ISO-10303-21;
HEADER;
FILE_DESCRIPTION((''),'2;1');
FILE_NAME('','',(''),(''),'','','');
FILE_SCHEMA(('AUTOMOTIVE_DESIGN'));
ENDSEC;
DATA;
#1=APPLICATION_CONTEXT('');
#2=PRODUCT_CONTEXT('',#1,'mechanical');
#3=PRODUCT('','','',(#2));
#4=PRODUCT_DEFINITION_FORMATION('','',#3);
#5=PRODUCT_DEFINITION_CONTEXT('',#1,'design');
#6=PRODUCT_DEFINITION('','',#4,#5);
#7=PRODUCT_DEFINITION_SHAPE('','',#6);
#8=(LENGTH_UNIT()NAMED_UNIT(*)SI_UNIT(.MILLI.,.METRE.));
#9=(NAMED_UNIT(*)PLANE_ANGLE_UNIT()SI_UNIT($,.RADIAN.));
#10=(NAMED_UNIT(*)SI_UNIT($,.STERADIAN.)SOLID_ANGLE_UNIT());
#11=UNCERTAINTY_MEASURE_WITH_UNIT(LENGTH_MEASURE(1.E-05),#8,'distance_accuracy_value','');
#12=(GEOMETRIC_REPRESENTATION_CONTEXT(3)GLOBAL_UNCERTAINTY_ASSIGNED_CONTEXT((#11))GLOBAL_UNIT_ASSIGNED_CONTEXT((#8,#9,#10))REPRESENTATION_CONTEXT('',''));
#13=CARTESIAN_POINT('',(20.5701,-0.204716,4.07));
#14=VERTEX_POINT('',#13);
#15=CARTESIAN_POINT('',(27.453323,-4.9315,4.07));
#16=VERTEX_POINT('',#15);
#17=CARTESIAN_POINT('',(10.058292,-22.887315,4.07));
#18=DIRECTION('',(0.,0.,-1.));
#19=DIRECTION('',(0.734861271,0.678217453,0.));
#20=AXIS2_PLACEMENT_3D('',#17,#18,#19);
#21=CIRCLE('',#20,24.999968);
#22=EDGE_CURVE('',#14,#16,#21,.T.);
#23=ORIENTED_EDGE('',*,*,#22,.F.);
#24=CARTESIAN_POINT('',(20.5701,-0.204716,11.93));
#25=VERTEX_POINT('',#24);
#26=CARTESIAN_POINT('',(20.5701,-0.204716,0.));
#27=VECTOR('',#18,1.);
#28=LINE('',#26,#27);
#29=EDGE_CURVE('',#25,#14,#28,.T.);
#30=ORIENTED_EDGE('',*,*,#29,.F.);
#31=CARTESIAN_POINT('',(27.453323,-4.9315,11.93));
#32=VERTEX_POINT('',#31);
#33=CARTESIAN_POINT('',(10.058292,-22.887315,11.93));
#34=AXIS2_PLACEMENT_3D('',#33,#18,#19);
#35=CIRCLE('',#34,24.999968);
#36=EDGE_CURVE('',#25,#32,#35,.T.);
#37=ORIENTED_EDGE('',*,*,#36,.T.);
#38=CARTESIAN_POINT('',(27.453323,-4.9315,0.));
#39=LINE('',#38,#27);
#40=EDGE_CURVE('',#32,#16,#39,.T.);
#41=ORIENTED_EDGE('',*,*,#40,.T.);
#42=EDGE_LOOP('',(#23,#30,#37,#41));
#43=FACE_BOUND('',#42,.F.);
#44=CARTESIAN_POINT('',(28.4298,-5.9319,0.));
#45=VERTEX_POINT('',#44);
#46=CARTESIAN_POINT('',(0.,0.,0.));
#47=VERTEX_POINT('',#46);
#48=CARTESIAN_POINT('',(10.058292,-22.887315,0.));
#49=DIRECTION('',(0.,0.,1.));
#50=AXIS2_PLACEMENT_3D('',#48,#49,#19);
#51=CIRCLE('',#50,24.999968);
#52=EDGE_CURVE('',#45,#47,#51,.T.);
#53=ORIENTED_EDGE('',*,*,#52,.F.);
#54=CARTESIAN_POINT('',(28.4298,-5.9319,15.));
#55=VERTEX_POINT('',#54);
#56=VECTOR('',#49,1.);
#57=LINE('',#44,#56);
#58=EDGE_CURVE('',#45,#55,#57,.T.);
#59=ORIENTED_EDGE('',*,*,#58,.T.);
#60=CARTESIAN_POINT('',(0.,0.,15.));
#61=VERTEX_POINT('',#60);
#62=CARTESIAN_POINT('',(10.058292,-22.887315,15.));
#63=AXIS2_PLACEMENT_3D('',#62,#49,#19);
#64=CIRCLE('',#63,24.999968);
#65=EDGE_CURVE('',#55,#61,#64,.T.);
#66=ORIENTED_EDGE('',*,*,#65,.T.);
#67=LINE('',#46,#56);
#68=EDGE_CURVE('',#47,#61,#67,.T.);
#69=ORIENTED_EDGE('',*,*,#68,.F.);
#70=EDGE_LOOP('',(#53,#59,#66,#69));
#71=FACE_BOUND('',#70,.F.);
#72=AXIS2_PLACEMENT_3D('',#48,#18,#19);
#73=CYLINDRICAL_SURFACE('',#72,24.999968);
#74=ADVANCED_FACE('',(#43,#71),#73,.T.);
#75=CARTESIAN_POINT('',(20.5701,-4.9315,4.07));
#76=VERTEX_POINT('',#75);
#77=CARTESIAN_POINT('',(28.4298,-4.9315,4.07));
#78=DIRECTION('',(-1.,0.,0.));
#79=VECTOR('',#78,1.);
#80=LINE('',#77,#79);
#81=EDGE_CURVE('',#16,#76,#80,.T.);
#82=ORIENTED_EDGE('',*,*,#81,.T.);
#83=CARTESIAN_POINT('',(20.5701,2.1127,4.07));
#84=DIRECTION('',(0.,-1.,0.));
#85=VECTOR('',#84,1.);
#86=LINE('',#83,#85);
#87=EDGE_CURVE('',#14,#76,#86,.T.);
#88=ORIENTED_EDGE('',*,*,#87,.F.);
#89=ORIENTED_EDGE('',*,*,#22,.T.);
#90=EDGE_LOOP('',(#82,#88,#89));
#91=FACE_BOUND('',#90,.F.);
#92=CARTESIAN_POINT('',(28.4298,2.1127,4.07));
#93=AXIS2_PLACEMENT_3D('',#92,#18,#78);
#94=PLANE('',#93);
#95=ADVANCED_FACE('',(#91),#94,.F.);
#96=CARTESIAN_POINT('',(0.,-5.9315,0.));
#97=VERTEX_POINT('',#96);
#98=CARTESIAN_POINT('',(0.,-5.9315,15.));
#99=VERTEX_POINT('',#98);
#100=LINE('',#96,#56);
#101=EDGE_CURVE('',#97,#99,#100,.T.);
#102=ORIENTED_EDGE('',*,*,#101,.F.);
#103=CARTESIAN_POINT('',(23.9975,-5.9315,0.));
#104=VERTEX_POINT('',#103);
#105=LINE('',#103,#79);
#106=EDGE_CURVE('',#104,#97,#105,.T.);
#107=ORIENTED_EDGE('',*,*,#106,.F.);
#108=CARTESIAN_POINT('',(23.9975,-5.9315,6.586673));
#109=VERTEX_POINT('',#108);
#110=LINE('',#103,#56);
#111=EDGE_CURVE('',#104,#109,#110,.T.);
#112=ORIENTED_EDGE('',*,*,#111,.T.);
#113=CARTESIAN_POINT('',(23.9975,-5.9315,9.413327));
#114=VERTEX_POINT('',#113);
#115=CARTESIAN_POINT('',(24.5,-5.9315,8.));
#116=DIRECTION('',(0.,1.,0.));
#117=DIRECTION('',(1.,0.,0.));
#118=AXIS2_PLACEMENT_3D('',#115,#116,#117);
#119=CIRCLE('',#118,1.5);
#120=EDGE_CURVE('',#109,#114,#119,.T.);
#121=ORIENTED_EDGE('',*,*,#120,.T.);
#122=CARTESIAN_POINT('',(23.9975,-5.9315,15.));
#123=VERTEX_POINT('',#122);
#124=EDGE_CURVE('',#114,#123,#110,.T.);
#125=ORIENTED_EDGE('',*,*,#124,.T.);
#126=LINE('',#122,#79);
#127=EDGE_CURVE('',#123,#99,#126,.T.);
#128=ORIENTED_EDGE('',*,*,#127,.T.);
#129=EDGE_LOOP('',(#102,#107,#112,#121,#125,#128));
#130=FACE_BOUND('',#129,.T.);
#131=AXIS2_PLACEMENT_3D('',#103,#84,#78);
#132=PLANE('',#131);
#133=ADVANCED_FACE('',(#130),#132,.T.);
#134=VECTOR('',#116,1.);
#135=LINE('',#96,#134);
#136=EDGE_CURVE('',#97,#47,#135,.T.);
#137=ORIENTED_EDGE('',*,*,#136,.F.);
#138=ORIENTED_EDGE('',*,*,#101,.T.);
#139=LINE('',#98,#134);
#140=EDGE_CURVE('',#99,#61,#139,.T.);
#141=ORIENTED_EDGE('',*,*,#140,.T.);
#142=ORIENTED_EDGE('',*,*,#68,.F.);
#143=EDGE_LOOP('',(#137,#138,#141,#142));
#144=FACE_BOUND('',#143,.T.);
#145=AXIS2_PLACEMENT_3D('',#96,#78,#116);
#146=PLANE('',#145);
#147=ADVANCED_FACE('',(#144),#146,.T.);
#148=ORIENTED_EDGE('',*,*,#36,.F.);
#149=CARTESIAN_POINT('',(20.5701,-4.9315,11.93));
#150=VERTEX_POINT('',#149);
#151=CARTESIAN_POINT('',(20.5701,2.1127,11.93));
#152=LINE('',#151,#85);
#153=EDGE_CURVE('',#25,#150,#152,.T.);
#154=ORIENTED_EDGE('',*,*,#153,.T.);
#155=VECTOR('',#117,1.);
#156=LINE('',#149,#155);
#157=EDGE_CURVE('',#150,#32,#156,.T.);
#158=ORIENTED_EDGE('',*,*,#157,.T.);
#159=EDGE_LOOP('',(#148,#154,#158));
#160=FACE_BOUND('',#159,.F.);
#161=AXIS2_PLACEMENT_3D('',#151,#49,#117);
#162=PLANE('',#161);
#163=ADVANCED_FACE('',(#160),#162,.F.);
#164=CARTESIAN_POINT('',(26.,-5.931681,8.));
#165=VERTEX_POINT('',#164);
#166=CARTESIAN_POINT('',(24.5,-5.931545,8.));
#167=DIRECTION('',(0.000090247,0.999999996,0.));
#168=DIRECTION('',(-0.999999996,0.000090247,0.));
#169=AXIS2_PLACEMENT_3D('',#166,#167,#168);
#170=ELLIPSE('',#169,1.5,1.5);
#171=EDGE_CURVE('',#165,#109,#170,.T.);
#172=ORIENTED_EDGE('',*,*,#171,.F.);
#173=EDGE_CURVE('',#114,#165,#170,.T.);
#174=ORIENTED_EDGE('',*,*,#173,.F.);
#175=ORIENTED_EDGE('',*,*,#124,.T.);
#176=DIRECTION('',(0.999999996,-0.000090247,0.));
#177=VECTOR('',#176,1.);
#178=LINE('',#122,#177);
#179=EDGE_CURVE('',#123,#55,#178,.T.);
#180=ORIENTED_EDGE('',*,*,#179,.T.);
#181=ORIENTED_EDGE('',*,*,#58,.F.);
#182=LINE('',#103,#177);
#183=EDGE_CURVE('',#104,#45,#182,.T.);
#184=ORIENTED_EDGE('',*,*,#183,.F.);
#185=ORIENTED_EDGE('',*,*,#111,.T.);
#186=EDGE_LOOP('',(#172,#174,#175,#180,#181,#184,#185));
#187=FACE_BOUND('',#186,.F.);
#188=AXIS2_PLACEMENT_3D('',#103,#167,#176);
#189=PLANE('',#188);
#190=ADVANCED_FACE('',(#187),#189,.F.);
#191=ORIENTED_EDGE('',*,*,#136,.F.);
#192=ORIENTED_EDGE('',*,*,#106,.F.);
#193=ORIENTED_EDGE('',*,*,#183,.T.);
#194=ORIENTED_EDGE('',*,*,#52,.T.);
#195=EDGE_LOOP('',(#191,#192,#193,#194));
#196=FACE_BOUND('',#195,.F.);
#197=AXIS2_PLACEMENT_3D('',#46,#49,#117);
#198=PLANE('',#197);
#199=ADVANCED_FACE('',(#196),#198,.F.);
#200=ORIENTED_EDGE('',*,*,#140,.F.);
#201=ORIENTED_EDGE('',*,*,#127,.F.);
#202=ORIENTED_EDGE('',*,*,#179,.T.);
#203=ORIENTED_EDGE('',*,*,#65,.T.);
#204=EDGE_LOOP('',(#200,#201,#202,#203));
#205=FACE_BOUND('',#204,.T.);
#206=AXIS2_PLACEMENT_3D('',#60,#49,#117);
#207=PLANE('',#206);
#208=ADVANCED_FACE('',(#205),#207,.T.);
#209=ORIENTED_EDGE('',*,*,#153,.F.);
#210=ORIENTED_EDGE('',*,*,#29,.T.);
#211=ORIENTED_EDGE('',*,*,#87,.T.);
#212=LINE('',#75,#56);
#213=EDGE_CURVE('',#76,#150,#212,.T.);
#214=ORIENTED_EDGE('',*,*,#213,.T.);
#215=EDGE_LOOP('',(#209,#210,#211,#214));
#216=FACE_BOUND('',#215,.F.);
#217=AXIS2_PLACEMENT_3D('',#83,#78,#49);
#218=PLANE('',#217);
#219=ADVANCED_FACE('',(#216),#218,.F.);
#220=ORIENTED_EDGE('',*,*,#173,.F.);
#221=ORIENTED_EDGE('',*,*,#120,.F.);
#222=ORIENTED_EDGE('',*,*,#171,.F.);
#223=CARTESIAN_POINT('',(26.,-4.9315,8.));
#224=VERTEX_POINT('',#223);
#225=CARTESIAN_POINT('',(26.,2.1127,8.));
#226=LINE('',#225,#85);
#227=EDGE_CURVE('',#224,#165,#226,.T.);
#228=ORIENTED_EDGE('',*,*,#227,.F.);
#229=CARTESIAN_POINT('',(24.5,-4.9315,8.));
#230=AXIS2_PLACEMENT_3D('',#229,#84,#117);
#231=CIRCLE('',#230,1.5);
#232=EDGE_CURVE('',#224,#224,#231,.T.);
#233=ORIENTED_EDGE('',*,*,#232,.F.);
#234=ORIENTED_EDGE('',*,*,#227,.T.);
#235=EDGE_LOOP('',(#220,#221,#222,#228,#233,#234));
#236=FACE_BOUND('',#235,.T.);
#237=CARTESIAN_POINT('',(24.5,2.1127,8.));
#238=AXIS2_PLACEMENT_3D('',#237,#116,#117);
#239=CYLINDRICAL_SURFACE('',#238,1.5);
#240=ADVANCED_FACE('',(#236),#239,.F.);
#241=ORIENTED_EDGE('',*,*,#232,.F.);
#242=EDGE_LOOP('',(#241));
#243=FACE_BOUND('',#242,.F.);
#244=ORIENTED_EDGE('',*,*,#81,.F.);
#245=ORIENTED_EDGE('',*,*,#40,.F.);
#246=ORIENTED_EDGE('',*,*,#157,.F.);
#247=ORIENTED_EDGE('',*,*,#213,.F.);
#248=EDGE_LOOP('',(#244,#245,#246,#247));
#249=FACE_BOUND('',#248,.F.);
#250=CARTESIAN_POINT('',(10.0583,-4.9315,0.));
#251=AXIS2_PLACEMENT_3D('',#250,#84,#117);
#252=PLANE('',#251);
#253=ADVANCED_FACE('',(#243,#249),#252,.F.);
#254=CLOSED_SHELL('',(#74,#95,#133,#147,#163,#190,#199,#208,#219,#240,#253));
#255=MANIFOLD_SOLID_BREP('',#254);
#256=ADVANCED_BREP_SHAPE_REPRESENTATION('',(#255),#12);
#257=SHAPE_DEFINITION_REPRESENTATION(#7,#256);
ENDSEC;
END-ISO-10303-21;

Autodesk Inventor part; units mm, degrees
ref_plane "YZ Plane" through (0, 0, 0) normal (1, 0, 0) x (0, 1, 0)
ref_plane "XZ Plane" through (0, 0, 0) normal (0, 1, 0) x (-1, 0, 0)
sketch "Эскиз1" plane through (0, 0, 0) normal (0, 0, 1) x (1, 0, 0)
  arc A0 (28.4298, -5.9319) -> (0, 0) centre (10.0583, -22.8873) ccw
  line L0 (0, -5.9315) -> (0, 0)
  line L1 (23.9975, -5.9315) -> (0, -5.9315)
  line L2 (23.9975, -5.9315) -> (23.998, -5.9315)
  line L3 (23.998, -5.9319) -> (23.998, -5.9315)
  line L4 (23.998, -5.9319) -> (28.4298, -5.9319)
  point P0 (0, 0)
  point P1 (-10.0583, 22.8873)
extrude "Выдавливание1" add sketch "Эскиз1" along normal blind 15
ref_plane "РабПлоскость1" through (10.0583, 2.1127, 0) normal (0, -1, 0) x (1, 0, 0)
sketch "Эскиз2" plane through (10.0583, 2.1127, 0) normal (0, -1, 0) x (1, 0, 0)
  circle A0 centre (14.4417, 8) radius 1.5 projected
  line L0 (18.3715, 0) -> (18.3715, 15) projected
  line L1 (10.5118, 11.93) -> (18.3715, 11.93)
  line L2 (18.3715, 11.93) -> (18.3715, 4.07)
  line L3 (18.3715, 4.07) -> (10.5118, 4.07)
  line L4 (10.5118, 4.07) -> (10.5118, 11.93)
  line L5 (10.5118, 11.93) -> (18.3715, 4.07) construction
  line L6 (18.3715, 11.93) -> (10.5118, 4.07) construction
  point P0 (-10.0583, 0)
  dimension "d2" = 7.86
extrude "Выдавливание2" cut sketch "Эскиз2" along normal blind 10.2942 contours A0
sketch "Эскиз3" plane through (10.0583, 2.1127, 0) normal (0, -1, 0) x (1, 0, 0)
  circle A0 centre (14.4417, 8) radius 1.5
  line L0 (18.3715, 0) -> (18.3715, 15)
  line L1 (10.5118, 11.93) -> (18.3715, 11.93)
  line L2 (18.3715, 11.93) -> (18.3715, 4.07)
  line L3 (18.3715, 4.07) -> (10.5118, 4.07)
  line L4 (10.5118, 4.07) -> (10.5118, 11.93)
  line L5 (10.5118, 11.93) -> (18.3715, 4.07) construction
  line L6 (18.3715, 11.93) -> (10.5118, 4.07) construction
  point P0 (-10.0583, 0)
  point P1 (-10.0583, 0)
  dimension "d5" = 7.86
extrude "Выдавливание3" cut sketch "Эскиз3" along normal blind 7.0442
properties part number "KB33-046-002-006 - Заглушка"
